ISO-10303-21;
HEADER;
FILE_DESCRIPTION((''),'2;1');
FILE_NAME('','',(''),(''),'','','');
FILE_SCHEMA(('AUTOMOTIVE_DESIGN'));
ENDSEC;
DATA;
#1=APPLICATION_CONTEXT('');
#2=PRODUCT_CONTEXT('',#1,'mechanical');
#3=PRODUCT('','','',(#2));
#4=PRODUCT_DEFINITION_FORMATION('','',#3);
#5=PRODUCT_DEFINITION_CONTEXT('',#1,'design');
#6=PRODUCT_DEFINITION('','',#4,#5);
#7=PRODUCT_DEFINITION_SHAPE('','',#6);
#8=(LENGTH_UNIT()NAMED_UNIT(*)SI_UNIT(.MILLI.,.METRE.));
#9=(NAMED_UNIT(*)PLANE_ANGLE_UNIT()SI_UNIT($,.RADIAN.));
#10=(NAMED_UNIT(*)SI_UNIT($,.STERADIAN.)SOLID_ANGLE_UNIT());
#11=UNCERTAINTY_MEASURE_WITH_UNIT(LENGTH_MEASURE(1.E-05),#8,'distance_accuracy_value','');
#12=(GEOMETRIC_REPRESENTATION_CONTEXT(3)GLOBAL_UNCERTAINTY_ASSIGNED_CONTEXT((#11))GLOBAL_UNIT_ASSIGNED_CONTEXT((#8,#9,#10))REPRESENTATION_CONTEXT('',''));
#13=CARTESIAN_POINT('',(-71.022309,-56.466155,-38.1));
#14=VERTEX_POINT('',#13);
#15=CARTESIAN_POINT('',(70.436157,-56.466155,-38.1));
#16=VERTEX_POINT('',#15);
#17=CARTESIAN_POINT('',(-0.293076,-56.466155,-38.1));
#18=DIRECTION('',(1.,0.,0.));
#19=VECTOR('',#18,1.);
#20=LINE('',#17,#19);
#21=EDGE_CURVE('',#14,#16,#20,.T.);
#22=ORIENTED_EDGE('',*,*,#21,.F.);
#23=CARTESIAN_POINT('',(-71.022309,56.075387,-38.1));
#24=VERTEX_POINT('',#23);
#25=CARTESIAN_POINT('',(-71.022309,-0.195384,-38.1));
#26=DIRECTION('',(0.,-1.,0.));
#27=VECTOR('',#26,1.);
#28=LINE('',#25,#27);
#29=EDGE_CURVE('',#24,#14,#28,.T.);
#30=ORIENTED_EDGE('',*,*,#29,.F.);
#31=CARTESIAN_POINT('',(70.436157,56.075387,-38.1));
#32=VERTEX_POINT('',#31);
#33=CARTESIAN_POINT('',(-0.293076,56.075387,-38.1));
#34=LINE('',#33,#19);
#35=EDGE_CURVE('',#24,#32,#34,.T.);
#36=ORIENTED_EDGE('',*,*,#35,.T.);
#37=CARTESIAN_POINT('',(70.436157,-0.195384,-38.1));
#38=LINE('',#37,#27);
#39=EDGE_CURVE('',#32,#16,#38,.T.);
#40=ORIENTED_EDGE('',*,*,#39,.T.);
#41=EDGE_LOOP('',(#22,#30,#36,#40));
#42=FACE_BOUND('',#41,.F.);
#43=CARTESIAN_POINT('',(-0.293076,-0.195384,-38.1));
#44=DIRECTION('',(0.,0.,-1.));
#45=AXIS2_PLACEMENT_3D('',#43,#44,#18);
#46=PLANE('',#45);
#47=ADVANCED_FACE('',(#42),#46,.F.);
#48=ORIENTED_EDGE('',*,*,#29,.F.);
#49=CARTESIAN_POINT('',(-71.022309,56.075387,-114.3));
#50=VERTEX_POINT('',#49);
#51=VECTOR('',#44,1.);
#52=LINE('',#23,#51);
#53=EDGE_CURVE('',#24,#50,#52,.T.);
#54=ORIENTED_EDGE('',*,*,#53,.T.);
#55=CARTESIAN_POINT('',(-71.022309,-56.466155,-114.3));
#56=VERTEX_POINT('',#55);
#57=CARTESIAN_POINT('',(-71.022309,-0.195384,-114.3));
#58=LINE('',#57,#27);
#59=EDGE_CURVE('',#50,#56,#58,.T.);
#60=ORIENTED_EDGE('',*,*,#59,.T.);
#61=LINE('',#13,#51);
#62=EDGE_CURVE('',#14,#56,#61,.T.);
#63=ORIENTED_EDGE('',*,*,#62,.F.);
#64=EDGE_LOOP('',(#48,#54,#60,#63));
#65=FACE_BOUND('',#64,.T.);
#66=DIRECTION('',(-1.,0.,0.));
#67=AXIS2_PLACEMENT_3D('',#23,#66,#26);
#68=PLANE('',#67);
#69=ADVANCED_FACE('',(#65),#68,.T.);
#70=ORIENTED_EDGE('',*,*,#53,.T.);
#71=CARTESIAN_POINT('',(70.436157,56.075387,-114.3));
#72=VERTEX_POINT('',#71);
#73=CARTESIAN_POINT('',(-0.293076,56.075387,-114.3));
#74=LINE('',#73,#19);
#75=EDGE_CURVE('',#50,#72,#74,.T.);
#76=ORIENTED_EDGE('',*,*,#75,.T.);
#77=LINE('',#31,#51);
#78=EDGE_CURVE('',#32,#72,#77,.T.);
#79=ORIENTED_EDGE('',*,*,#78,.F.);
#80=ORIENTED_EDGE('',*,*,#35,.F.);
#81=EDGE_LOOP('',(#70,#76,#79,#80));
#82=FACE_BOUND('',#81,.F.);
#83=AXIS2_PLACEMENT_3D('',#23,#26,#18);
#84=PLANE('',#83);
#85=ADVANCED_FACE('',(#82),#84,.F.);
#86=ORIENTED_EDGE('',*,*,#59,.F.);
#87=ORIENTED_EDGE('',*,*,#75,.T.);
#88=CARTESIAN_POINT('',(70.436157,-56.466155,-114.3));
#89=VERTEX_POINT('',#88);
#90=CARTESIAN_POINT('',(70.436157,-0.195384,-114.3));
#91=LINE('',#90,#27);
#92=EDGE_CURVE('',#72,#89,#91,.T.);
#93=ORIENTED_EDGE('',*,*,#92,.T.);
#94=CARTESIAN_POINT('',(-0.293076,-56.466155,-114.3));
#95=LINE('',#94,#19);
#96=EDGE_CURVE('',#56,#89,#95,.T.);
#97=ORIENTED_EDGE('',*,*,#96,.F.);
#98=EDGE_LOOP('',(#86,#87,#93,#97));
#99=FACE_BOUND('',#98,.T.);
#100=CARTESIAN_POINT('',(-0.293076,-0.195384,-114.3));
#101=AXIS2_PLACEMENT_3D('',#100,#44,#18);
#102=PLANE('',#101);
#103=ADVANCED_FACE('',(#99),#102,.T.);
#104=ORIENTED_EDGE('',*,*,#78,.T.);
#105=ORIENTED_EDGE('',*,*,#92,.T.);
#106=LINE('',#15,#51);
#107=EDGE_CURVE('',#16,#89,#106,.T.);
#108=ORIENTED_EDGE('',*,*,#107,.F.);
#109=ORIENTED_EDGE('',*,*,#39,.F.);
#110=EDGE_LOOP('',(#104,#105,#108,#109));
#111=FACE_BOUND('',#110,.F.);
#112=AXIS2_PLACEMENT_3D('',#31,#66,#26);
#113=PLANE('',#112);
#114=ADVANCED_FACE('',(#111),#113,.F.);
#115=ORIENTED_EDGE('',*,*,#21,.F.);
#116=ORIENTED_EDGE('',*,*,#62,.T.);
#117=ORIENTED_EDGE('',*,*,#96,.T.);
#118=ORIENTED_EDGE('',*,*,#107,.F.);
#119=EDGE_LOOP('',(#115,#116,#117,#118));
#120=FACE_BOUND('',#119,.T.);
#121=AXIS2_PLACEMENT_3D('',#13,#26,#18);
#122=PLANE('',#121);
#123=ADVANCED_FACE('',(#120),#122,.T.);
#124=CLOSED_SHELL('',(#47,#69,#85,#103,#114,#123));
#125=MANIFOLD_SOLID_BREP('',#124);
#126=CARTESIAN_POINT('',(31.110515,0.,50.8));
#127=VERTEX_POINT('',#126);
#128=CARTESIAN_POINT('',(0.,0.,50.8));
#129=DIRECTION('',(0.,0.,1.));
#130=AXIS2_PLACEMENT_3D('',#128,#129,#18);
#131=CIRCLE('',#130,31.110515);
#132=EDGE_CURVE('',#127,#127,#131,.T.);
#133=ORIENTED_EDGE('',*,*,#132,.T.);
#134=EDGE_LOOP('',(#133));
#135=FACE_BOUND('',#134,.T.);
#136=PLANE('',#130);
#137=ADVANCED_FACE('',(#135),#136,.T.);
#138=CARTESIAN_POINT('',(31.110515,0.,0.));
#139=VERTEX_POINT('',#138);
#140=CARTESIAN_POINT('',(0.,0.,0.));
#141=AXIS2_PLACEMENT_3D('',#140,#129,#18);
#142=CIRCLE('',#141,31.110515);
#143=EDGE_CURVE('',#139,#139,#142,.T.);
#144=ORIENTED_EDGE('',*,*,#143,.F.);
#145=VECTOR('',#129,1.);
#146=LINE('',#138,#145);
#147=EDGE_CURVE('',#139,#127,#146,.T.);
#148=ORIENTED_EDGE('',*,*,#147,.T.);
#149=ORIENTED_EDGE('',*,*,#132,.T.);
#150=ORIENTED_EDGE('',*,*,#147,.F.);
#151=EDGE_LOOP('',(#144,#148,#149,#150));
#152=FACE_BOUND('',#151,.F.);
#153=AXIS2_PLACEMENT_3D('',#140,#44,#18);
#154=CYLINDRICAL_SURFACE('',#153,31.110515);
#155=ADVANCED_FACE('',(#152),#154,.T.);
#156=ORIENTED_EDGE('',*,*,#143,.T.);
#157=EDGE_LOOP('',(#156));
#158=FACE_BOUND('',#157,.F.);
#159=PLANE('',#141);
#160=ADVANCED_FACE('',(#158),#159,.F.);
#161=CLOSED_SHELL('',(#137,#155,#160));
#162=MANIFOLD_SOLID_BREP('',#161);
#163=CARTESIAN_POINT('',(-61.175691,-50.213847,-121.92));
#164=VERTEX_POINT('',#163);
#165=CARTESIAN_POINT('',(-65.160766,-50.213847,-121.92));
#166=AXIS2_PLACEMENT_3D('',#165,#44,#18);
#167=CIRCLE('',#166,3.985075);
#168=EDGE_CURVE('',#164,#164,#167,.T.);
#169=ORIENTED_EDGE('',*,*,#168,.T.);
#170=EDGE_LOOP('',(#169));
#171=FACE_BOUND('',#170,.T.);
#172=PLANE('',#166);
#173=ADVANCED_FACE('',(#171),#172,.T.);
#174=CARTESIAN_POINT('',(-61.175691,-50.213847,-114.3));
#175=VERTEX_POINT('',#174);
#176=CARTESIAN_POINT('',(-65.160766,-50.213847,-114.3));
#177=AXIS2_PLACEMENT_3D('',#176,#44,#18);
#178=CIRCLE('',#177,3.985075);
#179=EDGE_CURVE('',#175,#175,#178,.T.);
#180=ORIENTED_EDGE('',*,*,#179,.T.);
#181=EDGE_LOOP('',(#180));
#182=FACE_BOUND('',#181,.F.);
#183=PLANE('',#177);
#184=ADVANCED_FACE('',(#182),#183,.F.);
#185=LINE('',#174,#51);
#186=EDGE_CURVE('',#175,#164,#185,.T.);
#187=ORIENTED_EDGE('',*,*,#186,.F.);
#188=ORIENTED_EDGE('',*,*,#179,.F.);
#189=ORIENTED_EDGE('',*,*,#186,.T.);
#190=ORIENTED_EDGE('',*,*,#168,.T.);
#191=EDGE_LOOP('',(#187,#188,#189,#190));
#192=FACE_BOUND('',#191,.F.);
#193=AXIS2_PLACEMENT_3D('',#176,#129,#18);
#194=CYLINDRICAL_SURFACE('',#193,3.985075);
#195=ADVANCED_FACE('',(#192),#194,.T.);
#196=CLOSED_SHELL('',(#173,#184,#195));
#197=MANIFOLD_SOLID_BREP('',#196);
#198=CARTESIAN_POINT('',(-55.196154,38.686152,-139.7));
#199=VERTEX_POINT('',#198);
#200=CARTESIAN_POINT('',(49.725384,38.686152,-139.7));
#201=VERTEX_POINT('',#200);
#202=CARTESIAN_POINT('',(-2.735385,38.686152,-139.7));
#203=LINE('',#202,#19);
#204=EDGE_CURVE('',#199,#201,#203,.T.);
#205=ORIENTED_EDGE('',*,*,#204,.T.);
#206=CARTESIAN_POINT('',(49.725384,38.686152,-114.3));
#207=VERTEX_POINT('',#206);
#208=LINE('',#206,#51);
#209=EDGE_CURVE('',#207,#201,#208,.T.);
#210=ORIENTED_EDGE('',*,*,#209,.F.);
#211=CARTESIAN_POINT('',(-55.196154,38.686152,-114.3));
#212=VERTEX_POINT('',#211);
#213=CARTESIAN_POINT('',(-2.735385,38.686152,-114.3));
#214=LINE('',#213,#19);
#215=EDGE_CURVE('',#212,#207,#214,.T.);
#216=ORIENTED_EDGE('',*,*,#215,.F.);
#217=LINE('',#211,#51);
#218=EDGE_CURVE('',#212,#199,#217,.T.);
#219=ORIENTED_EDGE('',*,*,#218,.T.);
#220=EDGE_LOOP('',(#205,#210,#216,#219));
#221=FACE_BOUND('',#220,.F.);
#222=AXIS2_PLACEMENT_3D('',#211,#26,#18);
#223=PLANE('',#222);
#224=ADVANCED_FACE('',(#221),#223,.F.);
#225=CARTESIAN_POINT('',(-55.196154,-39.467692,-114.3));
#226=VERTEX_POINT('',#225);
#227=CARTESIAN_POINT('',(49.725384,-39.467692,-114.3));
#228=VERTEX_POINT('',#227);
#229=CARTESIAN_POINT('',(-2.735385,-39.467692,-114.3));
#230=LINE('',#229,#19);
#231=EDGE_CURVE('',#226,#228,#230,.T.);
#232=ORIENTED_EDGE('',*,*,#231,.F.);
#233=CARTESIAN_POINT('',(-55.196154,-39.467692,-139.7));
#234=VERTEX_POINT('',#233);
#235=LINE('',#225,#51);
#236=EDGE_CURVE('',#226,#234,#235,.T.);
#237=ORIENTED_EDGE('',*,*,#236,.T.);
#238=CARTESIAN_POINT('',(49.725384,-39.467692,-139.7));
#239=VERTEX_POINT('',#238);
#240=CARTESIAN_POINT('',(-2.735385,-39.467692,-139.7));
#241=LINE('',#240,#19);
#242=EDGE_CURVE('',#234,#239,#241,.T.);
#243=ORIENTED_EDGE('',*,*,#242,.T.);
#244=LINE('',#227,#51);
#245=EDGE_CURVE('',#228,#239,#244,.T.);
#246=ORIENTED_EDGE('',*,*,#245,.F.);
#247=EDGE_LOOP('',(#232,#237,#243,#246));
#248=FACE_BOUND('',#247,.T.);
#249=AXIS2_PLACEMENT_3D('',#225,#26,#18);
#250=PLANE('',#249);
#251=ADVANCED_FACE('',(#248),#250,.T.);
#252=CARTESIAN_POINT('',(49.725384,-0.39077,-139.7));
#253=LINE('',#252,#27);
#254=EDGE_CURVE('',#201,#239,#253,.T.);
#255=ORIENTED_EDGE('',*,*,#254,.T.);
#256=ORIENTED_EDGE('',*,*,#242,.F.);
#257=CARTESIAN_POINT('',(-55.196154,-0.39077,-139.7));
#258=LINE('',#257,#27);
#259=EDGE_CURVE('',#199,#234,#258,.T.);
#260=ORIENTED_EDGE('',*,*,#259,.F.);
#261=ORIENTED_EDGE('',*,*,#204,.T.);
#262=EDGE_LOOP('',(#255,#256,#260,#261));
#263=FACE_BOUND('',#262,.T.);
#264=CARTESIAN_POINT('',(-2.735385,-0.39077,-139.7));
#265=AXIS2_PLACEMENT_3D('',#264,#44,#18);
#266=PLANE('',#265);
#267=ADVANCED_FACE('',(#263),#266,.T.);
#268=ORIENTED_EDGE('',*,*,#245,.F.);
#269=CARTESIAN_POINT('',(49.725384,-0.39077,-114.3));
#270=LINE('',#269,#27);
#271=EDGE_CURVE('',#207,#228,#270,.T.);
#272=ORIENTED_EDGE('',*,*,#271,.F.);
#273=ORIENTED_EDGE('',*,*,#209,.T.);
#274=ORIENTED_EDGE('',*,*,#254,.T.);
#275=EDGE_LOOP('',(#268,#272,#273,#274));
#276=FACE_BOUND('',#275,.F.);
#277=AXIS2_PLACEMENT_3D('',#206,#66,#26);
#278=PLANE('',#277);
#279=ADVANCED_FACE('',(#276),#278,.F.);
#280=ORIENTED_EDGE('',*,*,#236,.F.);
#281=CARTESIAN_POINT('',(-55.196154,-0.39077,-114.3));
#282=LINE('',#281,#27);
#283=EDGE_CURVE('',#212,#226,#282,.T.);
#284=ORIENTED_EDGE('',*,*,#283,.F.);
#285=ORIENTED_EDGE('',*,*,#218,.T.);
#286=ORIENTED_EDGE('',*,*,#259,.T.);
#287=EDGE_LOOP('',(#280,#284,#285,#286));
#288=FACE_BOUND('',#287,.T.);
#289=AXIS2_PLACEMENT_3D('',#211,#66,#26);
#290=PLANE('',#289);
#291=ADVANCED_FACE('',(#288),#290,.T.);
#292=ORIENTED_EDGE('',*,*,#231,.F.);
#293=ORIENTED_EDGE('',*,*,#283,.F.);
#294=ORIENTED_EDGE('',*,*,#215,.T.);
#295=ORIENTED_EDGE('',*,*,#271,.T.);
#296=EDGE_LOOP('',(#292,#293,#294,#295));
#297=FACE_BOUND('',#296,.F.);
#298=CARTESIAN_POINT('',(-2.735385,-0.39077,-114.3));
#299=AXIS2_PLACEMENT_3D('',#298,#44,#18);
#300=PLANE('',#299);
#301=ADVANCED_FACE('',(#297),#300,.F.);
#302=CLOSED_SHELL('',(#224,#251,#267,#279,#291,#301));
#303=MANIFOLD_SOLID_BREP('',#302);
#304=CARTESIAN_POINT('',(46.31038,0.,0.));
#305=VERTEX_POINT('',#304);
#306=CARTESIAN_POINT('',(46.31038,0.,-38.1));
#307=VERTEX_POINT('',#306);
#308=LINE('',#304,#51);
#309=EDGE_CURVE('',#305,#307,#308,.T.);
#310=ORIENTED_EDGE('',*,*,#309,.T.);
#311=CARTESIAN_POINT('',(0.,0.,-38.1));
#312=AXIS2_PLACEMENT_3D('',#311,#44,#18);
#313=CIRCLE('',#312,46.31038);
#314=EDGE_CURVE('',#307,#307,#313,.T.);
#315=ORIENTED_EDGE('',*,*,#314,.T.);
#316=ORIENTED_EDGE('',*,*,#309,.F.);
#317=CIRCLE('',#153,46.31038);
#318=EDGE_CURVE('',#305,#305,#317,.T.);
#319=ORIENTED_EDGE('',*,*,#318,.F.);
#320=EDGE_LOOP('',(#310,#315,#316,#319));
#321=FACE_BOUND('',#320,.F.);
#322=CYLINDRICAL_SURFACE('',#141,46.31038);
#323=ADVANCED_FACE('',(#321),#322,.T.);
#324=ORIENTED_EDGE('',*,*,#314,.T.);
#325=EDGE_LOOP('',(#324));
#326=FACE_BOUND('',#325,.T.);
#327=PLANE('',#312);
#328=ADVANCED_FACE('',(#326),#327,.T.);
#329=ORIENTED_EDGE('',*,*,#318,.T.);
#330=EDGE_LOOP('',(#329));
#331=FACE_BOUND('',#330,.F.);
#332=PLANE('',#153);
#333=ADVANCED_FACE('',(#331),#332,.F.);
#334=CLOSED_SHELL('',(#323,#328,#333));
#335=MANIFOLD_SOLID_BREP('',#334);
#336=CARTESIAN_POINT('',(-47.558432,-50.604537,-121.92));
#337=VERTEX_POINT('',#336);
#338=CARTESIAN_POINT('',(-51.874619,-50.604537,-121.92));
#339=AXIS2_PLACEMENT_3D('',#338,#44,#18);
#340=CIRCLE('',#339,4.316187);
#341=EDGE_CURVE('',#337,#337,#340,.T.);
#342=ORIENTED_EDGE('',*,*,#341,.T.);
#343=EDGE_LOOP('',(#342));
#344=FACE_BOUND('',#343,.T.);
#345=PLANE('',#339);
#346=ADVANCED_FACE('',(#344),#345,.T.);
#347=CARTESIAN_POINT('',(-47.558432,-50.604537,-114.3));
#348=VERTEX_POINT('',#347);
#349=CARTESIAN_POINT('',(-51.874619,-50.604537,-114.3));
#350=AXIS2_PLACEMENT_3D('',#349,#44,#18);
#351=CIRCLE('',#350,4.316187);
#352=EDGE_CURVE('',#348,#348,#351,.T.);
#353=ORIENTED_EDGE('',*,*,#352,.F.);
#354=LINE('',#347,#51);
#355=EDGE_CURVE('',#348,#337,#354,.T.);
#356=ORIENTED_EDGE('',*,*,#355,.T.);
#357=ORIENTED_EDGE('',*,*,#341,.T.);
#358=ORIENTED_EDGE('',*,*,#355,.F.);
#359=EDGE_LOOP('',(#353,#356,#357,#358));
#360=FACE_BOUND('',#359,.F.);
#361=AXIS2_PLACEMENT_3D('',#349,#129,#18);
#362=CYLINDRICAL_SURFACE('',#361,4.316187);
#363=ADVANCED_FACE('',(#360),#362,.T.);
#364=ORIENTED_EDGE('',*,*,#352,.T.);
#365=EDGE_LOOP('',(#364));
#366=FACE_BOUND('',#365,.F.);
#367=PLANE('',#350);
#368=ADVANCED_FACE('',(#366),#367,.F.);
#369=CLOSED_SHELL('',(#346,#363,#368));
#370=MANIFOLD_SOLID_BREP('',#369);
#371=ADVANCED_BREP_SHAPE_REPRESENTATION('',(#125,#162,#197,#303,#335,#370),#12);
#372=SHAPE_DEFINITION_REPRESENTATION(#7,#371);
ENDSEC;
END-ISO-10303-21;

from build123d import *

# Parameters (mm, degrees)
F0_R      = 31.110515
F1_DEPTH  = 50.8
F2_R      = 46.31038
F3_DEPTH  = 38.1
F4_W      = 141.458466
F4_H      = 112.541542
F5_DEPTH  = 76.2
F6_R      = 3.985075
F7_DEPTH  = 7.62
F8_R      = 4.316187
F9_DEPTH  = 7.62
F10_W     = 104.921539
F10_H     = 78.153845
F11_DEPTH = 25.4


with BuildPart() as f1:
    # F0 (on Top) → F1 (new body)
    with BuildSketch(Plane.XY):
        Circle(F0_R)
    extrude(amount=F1_DEPTH)


with BuildPart() as f3:
    # F2 (on face) → F3 (new body)
    with BuildSketch(Plane(origin=(0, 0, 0), x_dir=(1, 0, 0), z_dir=(0, 0, -1))):
        Circle(F2_R)
    extrude(amount=F3_DEPTH)


with BuildPart() as f5:
    # F4 (on face) → F5 (new body)
    with BuildSketch(Plane(origin=(0, 0, -38.1), x_dir=(1, 0, 0), z_dir=(0, 0, -1))):
        with Locations((-0.293076, 0.195384)):
            Rectangle(F4_W, F4_H)
    extrude(amount=F5_DEPTH)


with BuildPart() as f7:
    # F6 (on face) → F7 (new body)
    with BuildSketch(Plane(origin=(0, 0, -114.3), x_dir=(1, 0, 0), z_dir=(0, 0, -1))):
        with Locations((-65.160766, 50.213847)):
            Circle(F6_R)
    extrude(amount=F7_DEPTH)


with BuildPart() as f9:
    # F8 (on face) → F9 (new body)
    with BuildSketch(Plane(origin=(0, 0, -114.3), x_dir=(1, 0, 0), z_dir=(0, 0, -1))):
        with Locations((-51.874619, 50.604537)):
            Circle(F8_R)
    extrude(amount=F9_DEPTH)


with BuildPart() as f11:
    # F10 (on face) → F11 (new body)
    with BuildSketch(Plane(origin=(0, 0, -114.3), x_dir=(1, 0, 0), z_dir=(0, 0, -1))):
        with Locations((-2.735385, 0.39077)):
            Rectangle(F10_W, F10_H)
    extrude(amount=F11_DEPTH)


solid = Compound([f1.part, f3.part, f5.part, f7.part, f9.part, f11.part])
